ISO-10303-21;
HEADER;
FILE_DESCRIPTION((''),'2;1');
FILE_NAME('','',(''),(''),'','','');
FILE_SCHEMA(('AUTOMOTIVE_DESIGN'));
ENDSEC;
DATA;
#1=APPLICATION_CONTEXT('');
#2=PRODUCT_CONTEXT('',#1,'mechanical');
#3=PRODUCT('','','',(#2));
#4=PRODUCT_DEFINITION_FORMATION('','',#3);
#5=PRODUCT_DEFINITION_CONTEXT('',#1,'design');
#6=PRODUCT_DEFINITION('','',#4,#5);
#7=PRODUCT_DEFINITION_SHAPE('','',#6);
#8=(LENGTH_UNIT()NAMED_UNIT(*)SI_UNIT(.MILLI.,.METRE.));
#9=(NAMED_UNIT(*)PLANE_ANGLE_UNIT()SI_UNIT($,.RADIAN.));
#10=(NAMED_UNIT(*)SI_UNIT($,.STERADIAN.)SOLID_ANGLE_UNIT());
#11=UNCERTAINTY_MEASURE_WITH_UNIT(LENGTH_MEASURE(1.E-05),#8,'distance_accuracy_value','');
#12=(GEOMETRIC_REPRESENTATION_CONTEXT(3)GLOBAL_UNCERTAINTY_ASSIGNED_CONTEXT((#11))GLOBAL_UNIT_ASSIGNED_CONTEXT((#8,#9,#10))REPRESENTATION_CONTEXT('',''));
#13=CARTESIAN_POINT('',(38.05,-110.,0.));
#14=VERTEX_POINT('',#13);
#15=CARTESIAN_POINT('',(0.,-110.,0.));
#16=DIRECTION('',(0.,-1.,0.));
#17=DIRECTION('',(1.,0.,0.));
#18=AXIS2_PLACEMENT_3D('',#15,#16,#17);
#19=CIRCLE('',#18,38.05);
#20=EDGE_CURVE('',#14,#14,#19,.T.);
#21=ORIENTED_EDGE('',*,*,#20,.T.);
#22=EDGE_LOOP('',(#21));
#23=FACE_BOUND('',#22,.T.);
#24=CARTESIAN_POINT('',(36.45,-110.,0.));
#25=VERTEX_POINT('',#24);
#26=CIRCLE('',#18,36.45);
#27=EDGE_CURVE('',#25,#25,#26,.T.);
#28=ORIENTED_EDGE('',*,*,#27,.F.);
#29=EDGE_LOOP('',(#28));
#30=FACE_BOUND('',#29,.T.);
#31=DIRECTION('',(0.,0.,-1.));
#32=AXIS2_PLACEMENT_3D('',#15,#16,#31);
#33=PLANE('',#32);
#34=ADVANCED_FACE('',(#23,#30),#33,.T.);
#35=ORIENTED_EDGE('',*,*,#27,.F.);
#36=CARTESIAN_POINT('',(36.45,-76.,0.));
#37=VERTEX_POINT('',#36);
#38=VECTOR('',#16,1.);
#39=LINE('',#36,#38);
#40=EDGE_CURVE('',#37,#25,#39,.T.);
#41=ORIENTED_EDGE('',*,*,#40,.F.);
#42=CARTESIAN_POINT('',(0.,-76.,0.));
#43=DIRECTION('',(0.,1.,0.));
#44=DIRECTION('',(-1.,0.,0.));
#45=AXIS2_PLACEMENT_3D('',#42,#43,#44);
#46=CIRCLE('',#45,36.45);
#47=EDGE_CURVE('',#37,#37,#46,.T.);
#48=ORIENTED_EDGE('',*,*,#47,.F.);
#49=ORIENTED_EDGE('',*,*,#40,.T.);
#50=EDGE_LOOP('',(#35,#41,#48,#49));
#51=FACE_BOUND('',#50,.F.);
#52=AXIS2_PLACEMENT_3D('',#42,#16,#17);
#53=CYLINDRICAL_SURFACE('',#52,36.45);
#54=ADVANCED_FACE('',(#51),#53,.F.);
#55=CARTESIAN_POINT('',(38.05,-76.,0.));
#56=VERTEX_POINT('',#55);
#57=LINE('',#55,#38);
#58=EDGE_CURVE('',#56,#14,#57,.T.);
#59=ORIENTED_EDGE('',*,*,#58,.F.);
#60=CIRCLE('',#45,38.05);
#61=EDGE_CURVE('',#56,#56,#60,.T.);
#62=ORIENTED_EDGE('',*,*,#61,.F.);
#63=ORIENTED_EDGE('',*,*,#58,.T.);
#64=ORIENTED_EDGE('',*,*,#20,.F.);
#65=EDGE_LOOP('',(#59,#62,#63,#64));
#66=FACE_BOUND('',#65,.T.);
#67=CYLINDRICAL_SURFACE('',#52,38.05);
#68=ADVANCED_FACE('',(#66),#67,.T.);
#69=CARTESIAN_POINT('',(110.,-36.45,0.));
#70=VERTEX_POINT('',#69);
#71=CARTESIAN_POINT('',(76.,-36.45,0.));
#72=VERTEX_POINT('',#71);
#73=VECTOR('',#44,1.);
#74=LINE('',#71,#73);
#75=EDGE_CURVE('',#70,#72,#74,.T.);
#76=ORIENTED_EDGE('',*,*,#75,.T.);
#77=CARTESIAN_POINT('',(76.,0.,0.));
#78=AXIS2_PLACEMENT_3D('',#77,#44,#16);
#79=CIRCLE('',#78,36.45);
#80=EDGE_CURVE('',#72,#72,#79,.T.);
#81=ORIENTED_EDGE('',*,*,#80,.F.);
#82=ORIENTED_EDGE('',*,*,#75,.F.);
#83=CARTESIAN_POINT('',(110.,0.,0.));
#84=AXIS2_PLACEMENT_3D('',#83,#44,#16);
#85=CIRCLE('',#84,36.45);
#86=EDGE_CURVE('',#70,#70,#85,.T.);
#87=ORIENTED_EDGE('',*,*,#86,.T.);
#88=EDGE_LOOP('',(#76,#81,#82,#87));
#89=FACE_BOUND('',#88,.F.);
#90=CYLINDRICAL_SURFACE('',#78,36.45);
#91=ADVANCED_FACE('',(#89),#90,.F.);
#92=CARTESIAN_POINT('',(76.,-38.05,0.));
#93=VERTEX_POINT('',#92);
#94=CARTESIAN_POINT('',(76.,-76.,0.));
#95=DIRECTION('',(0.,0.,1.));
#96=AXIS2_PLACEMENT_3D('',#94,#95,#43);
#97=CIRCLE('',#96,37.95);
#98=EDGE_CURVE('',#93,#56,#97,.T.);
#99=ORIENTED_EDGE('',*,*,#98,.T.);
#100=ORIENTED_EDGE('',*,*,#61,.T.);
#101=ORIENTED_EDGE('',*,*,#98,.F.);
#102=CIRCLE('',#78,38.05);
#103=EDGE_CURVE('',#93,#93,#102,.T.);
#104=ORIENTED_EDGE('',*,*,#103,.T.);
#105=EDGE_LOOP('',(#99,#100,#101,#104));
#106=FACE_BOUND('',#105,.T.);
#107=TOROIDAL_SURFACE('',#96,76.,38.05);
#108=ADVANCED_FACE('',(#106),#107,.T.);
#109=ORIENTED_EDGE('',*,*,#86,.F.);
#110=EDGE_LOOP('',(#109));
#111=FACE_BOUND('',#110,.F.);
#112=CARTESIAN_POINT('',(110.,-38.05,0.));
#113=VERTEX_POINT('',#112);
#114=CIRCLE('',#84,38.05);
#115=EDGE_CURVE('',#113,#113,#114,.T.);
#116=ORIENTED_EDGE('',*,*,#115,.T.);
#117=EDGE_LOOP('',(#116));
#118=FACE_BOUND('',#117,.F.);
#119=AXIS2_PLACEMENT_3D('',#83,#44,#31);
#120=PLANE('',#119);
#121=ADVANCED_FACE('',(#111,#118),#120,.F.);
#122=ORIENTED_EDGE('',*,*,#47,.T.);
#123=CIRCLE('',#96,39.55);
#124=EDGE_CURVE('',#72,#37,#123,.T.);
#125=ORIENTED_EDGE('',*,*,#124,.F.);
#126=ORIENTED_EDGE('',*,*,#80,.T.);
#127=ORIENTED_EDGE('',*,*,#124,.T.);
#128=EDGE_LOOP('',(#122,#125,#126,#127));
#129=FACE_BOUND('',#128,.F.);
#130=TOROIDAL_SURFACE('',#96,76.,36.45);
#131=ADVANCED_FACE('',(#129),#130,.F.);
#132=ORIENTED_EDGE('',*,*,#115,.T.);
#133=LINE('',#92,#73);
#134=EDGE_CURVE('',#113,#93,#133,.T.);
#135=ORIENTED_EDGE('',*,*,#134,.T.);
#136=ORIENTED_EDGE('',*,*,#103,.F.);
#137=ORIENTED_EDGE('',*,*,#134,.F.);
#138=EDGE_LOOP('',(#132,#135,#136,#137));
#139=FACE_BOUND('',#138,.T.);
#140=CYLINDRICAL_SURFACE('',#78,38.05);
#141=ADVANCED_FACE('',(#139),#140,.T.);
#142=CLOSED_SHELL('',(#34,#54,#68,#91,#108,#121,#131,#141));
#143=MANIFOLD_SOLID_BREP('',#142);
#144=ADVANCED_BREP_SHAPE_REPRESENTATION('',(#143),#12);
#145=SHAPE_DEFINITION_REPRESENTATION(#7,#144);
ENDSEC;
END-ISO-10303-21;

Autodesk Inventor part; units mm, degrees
ref_plane "YZ Plane" through (0, 0, 0) normal (1, 0, 0) x (0, 1, 0)
ref_plane "XZ Plane" through (0, 0, 0) normal (0, 1, 0) x (-1, 0, 0)
sketch "Szkic6" plane through (0, 0, 0) normal (0, 0, 1) x (1, 0, 0)
  line L0 (-29.6067, 0) -> (35.2678, 0) construction
  line L1 (0, 42.3419) -> (0, -58.3726) construction
  arc A0 (76, 0) -> (0, -76) centre (76, -76) ccw
  line L2 (0, -76) -> (76, -76) construction
  line L3 (76, -76) -> (76, -10.4669) construction
  line L4 (76, 0) -> (110, 0)
  line L5 (0, -76) -> (0, -110)
  point P0 (0, 0)
  dimension "d24" = 76
  dimension "d31" = 90
  dimension "d36" = 34
  dimension "d37" = 34
ref_plane "Płaszczyzna konstrukcyjna2" through (0, -76, 0) normal (0, -1, 0) x (1, 0, 0)
sketch "Szkic8" plane through (0, -76, 0) normal (0, -1, 0) x (1, 0, 0)
  circle A0 centre (0, 0) radius 38.05
  circle A1 centre (0, 0) radius 36.45
  dimension "d32" = 76.1
  dimension "d33" = 1.6
sweep "Przeciągnięcie2" add profiles "Szkic8" path "Szkic6"
equation "\"d32\" = OD"
equation "\"d33\" = THK"
equation "\"d24\" = R"
equation "\"d31\" = KAT"
equation "\"d36\" = PROSTKA"
equation "\"d37\" = PROSTKA"
equation "\"SzerokośćGięciaPodcięcia\" = Grubość"
equation "\"RozmiarPodcięciaNarożnika\" = 4 * Grubość"
equation "\"PromieńPrzejścia\" = PromieńGięcia"
equation "\"Rozmiar_promienia_Jacobiego\" = PromieńGięcia"
equation "\"Wielk_odstępu\" = Grubość"
equation "\"d2\" = PromieńGięcia"
equation "\"d23\" = PromieńGięcia"
equation "\"R\" = 76"
equation "\"OD\" = 76.1"
equation "\"THK\" = 1.6"
equation "\"KAT\" = 90deg"
equation "\"PROSTKA\" = 34"
equation "\"Grubość\" = 1.5"
equation "\"PromieńGięcia\" = 3"
properties part number "Kolano 90° ø76,1x1,6 R76" material "304L"
